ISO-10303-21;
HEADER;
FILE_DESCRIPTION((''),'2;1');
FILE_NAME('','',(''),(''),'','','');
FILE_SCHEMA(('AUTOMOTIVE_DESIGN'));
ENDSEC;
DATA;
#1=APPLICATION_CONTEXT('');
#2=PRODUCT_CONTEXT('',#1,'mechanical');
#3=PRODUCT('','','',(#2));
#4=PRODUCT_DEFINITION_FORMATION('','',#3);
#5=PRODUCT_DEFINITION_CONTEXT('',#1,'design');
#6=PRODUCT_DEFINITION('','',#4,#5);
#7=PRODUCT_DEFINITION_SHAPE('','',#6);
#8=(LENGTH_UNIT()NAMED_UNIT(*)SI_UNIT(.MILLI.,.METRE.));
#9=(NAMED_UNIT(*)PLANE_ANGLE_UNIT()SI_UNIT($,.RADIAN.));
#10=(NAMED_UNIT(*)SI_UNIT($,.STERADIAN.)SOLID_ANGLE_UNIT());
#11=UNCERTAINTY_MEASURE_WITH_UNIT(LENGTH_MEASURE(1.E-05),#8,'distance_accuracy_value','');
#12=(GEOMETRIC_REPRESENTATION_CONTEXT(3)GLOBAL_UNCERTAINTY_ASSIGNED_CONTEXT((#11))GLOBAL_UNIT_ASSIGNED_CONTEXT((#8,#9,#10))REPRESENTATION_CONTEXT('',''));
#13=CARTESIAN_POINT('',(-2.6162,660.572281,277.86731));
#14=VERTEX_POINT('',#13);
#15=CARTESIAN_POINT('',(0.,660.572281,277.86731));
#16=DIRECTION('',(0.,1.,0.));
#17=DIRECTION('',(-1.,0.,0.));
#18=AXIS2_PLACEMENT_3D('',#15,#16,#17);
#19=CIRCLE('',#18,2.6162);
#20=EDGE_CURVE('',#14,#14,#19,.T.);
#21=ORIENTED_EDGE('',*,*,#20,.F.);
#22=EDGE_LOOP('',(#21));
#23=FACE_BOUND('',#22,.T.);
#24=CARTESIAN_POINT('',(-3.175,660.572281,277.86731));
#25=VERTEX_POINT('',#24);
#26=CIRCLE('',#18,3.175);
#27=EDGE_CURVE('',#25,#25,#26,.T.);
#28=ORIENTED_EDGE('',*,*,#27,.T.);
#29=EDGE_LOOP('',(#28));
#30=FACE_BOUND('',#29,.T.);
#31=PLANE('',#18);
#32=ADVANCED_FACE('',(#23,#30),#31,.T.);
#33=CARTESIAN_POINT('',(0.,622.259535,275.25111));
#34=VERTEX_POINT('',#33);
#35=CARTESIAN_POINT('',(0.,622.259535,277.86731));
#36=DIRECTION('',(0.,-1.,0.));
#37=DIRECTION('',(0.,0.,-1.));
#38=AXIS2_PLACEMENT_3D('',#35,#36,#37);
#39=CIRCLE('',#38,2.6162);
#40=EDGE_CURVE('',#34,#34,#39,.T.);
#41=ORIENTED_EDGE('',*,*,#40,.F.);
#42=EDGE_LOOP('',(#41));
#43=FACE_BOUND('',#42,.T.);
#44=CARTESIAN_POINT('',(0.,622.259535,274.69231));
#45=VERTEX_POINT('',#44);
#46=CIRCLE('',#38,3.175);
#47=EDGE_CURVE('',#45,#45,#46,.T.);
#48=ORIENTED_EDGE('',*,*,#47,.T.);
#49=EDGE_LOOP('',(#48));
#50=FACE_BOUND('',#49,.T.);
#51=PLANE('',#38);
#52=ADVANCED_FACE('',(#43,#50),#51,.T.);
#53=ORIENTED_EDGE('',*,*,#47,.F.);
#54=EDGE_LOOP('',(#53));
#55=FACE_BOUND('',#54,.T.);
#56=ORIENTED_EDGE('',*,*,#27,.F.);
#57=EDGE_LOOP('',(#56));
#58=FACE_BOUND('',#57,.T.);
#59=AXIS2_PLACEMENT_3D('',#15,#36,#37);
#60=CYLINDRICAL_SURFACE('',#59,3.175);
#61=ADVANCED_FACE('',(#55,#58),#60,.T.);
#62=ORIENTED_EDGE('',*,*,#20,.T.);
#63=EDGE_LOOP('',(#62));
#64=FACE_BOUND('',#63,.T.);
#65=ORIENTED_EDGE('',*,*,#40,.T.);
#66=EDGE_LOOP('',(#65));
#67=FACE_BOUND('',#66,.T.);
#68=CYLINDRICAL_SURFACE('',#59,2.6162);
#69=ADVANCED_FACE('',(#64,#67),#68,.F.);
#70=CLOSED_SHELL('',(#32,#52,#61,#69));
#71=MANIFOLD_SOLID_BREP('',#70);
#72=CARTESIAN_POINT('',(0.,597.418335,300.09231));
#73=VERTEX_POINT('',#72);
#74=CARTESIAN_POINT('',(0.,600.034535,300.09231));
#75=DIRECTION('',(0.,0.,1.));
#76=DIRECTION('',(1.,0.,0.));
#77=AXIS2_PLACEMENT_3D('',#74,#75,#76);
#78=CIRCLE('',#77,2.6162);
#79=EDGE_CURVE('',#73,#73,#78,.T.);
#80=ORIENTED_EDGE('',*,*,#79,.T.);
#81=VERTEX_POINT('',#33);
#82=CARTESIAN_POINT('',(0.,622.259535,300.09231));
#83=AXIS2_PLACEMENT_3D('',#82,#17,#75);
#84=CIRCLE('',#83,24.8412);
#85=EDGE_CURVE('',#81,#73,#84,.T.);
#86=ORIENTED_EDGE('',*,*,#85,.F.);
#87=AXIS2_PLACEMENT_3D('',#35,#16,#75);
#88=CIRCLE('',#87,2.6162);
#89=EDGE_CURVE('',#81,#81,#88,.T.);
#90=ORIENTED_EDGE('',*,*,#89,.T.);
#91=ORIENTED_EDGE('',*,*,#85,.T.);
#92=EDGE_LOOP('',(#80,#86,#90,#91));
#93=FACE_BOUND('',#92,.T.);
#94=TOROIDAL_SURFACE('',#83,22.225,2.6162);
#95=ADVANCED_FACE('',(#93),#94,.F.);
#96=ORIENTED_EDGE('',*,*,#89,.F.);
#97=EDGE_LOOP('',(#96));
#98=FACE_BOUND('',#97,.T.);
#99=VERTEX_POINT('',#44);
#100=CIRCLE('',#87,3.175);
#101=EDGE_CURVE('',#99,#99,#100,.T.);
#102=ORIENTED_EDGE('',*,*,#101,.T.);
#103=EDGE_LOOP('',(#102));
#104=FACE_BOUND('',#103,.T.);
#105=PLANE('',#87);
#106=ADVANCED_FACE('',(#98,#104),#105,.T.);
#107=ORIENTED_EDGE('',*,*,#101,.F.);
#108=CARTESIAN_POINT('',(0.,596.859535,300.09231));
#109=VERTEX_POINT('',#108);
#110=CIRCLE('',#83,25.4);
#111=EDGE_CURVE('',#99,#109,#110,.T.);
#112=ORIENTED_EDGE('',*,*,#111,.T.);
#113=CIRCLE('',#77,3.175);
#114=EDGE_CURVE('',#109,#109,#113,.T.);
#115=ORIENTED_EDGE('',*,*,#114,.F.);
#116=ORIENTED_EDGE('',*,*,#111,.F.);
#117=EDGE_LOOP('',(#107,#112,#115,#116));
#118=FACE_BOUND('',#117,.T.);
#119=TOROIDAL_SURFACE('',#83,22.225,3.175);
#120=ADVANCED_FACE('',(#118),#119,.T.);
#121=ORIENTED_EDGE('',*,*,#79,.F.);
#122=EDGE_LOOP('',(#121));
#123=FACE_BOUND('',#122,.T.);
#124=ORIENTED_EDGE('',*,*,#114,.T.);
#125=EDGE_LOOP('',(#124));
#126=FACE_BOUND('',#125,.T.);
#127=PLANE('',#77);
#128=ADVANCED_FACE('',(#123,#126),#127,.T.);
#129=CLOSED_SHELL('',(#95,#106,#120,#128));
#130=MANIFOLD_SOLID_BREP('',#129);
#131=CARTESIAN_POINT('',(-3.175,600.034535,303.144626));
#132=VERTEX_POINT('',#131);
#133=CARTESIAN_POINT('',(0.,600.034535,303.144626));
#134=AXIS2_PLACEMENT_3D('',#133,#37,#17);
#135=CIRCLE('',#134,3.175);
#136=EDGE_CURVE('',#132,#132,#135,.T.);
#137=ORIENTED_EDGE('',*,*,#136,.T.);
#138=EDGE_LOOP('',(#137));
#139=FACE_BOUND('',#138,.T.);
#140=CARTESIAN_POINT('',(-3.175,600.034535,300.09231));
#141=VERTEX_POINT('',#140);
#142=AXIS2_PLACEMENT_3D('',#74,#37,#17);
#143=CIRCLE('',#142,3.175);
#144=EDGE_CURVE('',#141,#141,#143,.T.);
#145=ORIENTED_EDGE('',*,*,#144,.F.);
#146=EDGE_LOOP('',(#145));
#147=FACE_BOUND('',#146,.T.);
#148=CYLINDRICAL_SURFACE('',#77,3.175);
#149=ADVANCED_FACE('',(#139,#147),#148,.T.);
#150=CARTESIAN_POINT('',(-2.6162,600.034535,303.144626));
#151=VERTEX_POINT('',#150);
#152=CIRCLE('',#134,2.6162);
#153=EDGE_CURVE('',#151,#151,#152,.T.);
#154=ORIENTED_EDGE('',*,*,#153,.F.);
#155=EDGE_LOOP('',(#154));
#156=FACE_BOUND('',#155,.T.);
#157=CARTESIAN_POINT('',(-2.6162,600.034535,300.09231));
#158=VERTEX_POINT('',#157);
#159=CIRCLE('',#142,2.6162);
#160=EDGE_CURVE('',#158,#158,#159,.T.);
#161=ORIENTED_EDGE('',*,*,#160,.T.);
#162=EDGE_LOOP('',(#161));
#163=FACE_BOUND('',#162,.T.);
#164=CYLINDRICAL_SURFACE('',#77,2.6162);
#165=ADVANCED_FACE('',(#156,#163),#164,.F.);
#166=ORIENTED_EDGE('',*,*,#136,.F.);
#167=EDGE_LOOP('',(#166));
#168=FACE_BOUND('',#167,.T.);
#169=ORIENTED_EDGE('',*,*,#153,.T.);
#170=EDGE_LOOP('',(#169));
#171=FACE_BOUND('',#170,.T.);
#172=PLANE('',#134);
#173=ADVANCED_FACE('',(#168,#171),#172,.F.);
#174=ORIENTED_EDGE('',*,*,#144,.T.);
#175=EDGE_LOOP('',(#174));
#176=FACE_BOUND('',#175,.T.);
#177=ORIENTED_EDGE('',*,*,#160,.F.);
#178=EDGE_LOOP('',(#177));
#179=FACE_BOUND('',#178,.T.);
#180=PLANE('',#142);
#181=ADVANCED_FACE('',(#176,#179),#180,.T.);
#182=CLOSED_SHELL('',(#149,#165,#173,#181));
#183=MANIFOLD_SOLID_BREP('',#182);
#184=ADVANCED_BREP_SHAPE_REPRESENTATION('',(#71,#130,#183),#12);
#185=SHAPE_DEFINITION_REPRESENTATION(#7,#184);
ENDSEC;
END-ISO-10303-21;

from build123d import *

# Parameters (mm, degrees)
SKETCH11_R                = 3.175
SKETCH11_R_2              = 2.6162
PIPE_0_5_SCH_40_1_DEPTH   = 3.05231551
SKETCH11_ON_SEGMENT_2_R   = 3.175
SKETCH11_ON_SEGMENT_2_R_2 = 2.6162
PIPE_0_5_SCH_40_1_2_ANGLE = 90
SKETCH11_ON_SEGMENT_3_R   = 3.175
SKETCH11_ON_SEGMENT_3_R_2 = 2.6162
PIPE_0_5_SCH_40_1_3_DEPTH = 38.312746142


with BuildPart() as part:
    # Sketch11 → Pipe 0.5 SCH 40(1) (new body)
    with BuildSketch(Plane(origin=(0, 600.034535067, 303.144625759), x_dir=(0, 1, 0), z_dir=(0, 0, -1))):
        Circle(SKETCH11_R)
        Circle(SKETCH11_R_2, mode=Mode.SUBTRACT)
    extrude(amount=PIPE_0_5_SCH_40_1_DEPTH)


with BuildPart() as body_2:
    # Sketch11 on segment 2 (carried to the start of arc 2) → Pipe 0.5 SCH 40_1 2 (revolve)
    with BuildSketch(Plane(origin=(0, 600.034535067, 300.092310249), x_dir=(0, 1, 0), z_dir=(0, 0, -1))):
        Circle(SKETCH11_ON_SEGMENT_2_R)
        Circle(SKETCH11_ON_SEGMENT_2_R_2, mode=Mode.SUBTRACT)
    revolve(axis=Axis((0, 622.259535067, 300.092310249), (1, 0, 0)), revolution_arc=PIPE_0_5_SCH_40_1_2_ANGLE)


with BuildPart() as body_3:
    # Sketch11 on segment 3 (carried to segment 3) → Pipe 0.5 SCH 40_1 3 (new body)
    with BuildSketch(Plane(origin=(0, 622.259535067, 277.867310249), x_dir=(0, 0, 1), z_dir=(0, 1, 0))):
        Circle(SKETCH11_ON_SEGMENT_3_R)
        Circle(SKETCH11_ON_SEGMENT_3_R_2, mode=Mode.SUBTRACT)
    extrude(amount=PIPE_0_5_SCH_40_1_3_DEPTH)


solid = Compound([part.part, body_2.part, body_3.part])
